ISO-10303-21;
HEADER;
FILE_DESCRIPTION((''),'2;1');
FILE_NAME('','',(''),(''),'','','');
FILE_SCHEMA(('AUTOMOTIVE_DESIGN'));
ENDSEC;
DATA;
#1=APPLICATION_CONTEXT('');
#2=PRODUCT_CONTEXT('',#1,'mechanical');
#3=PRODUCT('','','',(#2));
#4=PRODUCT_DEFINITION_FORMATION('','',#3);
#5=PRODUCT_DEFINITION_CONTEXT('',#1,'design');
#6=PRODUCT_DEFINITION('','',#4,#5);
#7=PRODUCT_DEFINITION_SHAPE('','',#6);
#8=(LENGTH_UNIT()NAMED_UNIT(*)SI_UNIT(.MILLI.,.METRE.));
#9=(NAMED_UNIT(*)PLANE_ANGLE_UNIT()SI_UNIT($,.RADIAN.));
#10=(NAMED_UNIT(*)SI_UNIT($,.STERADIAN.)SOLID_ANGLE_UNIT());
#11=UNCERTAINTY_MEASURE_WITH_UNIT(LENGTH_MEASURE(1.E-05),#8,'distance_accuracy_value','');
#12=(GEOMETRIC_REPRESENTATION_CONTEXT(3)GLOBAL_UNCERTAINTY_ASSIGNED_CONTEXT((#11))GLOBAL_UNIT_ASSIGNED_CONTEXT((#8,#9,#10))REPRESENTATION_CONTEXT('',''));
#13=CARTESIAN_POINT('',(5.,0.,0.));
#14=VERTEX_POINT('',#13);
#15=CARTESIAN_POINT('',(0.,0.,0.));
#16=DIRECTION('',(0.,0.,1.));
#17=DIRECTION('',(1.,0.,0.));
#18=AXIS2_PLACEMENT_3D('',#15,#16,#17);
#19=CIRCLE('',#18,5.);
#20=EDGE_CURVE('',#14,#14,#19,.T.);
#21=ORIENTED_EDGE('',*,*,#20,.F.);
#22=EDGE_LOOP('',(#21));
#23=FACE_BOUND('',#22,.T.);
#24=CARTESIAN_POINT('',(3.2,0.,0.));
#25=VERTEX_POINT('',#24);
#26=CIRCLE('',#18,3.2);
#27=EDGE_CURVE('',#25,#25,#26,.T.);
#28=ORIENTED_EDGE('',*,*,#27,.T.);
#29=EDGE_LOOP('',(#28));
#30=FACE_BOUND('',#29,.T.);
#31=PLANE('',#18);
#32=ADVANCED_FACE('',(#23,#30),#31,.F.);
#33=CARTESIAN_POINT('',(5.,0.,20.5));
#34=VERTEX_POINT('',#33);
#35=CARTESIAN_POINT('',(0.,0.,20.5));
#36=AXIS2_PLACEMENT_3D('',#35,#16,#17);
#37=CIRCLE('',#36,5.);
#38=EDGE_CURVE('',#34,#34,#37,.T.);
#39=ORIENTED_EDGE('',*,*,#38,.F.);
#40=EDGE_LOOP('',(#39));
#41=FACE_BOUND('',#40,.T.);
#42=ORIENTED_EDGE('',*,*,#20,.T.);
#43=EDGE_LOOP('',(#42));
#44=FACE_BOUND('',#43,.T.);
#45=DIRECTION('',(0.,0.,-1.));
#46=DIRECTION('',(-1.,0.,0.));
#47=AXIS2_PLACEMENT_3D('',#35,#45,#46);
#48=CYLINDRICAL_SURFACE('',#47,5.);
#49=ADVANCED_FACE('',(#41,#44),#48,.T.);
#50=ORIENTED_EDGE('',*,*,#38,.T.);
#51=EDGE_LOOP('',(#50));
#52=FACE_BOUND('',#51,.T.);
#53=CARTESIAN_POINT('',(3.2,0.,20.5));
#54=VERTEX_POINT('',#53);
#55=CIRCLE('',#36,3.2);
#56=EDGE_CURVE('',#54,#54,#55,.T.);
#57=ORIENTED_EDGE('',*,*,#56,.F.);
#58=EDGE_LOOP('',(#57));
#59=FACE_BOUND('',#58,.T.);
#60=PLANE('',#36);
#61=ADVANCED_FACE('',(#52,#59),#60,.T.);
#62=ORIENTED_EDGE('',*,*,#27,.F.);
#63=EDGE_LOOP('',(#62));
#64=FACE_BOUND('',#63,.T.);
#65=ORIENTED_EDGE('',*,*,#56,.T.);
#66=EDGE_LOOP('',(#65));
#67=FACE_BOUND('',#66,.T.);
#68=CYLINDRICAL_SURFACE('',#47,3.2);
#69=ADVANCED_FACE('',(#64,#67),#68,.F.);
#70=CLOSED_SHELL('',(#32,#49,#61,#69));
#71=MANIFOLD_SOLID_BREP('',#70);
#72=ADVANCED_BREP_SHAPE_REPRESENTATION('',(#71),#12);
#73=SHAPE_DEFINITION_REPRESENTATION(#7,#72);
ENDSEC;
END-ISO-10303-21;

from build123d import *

# Parameters (mm, degrees)
SKETCH_1_R      = 5
SKETCH_1_R_2    = 3.2
EXTRUDE_1_DEPTH = 20.5


with BuildPart() as part:
    # 草图1 → 凸台-拉伸1 (new body)
    with BuildSketch(Plane.XY):
        Circle(SKETCH_1_R)
        Circle(SKETCH_1_R_2, mode=Mode.SUBTRACT)
    extrude(amount=EXTRUDE_1_DEPTH)


solid = part.part
